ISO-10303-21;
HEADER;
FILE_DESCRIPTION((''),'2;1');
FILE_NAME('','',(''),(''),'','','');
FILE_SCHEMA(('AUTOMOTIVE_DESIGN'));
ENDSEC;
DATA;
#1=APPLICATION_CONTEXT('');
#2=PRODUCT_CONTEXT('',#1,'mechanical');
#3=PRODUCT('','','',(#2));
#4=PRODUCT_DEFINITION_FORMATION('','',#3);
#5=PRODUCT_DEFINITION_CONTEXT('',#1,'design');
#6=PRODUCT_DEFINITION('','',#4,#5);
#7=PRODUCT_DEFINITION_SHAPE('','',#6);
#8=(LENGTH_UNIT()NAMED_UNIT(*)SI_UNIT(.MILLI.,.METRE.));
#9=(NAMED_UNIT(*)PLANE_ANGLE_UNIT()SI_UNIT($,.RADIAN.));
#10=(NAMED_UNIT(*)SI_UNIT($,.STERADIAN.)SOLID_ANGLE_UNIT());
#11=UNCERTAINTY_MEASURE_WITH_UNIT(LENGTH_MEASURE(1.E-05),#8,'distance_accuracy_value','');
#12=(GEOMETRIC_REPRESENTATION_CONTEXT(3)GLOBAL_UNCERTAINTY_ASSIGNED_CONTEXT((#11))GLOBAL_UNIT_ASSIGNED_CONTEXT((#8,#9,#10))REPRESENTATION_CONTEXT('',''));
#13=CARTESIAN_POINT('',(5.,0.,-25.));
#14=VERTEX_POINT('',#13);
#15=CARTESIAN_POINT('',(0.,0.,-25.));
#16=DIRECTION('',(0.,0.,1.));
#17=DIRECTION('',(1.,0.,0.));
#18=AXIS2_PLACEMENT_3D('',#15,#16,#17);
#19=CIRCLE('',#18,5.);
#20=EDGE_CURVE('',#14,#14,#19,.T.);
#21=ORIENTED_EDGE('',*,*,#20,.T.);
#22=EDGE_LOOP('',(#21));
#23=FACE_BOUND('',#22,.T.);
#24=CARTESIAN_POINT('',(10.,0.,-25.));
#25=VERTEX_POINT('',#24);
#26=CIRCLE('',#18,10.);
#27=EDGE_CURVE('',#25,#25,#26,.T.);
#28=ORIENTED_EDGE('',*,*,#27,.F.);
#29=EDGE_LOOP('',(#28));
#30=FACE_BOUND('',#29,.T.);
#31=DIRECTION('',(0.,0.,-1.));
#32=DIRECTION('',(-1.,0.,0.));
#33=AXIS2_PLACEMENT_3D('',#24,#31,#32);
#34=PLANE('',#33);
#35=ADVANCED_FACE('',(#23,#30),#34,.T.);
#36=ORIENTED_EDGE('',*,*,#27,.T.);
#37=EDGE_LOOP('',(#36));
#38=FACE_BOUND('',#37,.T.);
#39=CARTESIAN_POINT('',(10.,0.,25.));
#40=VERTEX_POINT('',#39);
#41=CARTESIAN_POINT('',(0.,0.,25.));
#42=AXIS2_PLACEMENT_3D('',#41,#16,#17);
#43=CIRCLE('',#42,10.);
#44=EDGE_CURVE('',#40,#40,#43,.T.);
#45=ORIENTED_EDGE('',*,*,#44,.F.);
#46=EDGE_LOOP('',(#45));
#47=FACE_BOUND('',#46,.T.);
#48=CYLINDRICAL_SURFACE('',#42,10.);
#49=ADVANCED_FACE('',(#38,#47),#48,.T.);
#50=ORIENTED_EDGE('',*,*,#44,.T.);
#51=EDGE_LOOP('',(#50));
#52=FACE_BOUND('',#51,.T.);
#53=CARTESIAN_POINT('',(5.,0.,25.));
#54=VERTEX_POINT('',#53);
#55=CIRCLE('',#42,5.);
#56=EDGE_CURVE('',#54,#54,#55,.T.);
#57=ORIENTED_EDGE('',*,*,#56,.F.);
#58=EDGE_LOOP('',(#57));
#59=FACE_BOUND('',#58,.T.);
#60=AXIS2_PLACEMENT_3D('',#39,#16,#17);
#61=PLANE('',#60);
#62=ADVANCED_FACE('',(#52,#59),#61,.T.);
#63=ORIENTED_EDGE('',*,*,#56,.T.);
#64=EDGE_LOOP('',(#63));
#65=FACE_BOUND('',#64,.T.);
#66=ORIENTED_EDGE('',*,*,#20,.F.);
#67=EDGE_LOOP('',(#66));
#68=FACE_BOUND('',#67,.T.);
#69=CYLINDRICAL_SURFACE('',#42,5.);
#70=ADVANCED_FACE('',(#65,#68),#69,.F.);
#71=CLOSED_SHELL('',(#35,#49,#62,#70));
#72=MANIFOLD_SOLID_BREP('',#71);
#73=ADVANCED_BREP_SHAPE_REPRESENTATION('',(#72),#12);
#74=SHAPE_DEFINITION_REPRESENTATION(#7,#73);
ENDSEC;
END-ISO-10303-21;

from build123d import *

# Parameters (mm, degrees)
SKETCH1_W = 5
SKETCH1_H = 50


with BuildPart() as part:
    # Sketch1 → Revolve1 (revolve)
    with BuildSketch(Plane(origin=(0, 0, 0), x_dir=(1, 0, 0), z_dir=(0, 1, 0))):
        with Locations((7.5, 0)):
            Rectangle(SKETCH1_W, SKETCH1_H)
    revolve(axis=Axis((0, 0, 25), (0, 0, -1)))


solid = part.part
